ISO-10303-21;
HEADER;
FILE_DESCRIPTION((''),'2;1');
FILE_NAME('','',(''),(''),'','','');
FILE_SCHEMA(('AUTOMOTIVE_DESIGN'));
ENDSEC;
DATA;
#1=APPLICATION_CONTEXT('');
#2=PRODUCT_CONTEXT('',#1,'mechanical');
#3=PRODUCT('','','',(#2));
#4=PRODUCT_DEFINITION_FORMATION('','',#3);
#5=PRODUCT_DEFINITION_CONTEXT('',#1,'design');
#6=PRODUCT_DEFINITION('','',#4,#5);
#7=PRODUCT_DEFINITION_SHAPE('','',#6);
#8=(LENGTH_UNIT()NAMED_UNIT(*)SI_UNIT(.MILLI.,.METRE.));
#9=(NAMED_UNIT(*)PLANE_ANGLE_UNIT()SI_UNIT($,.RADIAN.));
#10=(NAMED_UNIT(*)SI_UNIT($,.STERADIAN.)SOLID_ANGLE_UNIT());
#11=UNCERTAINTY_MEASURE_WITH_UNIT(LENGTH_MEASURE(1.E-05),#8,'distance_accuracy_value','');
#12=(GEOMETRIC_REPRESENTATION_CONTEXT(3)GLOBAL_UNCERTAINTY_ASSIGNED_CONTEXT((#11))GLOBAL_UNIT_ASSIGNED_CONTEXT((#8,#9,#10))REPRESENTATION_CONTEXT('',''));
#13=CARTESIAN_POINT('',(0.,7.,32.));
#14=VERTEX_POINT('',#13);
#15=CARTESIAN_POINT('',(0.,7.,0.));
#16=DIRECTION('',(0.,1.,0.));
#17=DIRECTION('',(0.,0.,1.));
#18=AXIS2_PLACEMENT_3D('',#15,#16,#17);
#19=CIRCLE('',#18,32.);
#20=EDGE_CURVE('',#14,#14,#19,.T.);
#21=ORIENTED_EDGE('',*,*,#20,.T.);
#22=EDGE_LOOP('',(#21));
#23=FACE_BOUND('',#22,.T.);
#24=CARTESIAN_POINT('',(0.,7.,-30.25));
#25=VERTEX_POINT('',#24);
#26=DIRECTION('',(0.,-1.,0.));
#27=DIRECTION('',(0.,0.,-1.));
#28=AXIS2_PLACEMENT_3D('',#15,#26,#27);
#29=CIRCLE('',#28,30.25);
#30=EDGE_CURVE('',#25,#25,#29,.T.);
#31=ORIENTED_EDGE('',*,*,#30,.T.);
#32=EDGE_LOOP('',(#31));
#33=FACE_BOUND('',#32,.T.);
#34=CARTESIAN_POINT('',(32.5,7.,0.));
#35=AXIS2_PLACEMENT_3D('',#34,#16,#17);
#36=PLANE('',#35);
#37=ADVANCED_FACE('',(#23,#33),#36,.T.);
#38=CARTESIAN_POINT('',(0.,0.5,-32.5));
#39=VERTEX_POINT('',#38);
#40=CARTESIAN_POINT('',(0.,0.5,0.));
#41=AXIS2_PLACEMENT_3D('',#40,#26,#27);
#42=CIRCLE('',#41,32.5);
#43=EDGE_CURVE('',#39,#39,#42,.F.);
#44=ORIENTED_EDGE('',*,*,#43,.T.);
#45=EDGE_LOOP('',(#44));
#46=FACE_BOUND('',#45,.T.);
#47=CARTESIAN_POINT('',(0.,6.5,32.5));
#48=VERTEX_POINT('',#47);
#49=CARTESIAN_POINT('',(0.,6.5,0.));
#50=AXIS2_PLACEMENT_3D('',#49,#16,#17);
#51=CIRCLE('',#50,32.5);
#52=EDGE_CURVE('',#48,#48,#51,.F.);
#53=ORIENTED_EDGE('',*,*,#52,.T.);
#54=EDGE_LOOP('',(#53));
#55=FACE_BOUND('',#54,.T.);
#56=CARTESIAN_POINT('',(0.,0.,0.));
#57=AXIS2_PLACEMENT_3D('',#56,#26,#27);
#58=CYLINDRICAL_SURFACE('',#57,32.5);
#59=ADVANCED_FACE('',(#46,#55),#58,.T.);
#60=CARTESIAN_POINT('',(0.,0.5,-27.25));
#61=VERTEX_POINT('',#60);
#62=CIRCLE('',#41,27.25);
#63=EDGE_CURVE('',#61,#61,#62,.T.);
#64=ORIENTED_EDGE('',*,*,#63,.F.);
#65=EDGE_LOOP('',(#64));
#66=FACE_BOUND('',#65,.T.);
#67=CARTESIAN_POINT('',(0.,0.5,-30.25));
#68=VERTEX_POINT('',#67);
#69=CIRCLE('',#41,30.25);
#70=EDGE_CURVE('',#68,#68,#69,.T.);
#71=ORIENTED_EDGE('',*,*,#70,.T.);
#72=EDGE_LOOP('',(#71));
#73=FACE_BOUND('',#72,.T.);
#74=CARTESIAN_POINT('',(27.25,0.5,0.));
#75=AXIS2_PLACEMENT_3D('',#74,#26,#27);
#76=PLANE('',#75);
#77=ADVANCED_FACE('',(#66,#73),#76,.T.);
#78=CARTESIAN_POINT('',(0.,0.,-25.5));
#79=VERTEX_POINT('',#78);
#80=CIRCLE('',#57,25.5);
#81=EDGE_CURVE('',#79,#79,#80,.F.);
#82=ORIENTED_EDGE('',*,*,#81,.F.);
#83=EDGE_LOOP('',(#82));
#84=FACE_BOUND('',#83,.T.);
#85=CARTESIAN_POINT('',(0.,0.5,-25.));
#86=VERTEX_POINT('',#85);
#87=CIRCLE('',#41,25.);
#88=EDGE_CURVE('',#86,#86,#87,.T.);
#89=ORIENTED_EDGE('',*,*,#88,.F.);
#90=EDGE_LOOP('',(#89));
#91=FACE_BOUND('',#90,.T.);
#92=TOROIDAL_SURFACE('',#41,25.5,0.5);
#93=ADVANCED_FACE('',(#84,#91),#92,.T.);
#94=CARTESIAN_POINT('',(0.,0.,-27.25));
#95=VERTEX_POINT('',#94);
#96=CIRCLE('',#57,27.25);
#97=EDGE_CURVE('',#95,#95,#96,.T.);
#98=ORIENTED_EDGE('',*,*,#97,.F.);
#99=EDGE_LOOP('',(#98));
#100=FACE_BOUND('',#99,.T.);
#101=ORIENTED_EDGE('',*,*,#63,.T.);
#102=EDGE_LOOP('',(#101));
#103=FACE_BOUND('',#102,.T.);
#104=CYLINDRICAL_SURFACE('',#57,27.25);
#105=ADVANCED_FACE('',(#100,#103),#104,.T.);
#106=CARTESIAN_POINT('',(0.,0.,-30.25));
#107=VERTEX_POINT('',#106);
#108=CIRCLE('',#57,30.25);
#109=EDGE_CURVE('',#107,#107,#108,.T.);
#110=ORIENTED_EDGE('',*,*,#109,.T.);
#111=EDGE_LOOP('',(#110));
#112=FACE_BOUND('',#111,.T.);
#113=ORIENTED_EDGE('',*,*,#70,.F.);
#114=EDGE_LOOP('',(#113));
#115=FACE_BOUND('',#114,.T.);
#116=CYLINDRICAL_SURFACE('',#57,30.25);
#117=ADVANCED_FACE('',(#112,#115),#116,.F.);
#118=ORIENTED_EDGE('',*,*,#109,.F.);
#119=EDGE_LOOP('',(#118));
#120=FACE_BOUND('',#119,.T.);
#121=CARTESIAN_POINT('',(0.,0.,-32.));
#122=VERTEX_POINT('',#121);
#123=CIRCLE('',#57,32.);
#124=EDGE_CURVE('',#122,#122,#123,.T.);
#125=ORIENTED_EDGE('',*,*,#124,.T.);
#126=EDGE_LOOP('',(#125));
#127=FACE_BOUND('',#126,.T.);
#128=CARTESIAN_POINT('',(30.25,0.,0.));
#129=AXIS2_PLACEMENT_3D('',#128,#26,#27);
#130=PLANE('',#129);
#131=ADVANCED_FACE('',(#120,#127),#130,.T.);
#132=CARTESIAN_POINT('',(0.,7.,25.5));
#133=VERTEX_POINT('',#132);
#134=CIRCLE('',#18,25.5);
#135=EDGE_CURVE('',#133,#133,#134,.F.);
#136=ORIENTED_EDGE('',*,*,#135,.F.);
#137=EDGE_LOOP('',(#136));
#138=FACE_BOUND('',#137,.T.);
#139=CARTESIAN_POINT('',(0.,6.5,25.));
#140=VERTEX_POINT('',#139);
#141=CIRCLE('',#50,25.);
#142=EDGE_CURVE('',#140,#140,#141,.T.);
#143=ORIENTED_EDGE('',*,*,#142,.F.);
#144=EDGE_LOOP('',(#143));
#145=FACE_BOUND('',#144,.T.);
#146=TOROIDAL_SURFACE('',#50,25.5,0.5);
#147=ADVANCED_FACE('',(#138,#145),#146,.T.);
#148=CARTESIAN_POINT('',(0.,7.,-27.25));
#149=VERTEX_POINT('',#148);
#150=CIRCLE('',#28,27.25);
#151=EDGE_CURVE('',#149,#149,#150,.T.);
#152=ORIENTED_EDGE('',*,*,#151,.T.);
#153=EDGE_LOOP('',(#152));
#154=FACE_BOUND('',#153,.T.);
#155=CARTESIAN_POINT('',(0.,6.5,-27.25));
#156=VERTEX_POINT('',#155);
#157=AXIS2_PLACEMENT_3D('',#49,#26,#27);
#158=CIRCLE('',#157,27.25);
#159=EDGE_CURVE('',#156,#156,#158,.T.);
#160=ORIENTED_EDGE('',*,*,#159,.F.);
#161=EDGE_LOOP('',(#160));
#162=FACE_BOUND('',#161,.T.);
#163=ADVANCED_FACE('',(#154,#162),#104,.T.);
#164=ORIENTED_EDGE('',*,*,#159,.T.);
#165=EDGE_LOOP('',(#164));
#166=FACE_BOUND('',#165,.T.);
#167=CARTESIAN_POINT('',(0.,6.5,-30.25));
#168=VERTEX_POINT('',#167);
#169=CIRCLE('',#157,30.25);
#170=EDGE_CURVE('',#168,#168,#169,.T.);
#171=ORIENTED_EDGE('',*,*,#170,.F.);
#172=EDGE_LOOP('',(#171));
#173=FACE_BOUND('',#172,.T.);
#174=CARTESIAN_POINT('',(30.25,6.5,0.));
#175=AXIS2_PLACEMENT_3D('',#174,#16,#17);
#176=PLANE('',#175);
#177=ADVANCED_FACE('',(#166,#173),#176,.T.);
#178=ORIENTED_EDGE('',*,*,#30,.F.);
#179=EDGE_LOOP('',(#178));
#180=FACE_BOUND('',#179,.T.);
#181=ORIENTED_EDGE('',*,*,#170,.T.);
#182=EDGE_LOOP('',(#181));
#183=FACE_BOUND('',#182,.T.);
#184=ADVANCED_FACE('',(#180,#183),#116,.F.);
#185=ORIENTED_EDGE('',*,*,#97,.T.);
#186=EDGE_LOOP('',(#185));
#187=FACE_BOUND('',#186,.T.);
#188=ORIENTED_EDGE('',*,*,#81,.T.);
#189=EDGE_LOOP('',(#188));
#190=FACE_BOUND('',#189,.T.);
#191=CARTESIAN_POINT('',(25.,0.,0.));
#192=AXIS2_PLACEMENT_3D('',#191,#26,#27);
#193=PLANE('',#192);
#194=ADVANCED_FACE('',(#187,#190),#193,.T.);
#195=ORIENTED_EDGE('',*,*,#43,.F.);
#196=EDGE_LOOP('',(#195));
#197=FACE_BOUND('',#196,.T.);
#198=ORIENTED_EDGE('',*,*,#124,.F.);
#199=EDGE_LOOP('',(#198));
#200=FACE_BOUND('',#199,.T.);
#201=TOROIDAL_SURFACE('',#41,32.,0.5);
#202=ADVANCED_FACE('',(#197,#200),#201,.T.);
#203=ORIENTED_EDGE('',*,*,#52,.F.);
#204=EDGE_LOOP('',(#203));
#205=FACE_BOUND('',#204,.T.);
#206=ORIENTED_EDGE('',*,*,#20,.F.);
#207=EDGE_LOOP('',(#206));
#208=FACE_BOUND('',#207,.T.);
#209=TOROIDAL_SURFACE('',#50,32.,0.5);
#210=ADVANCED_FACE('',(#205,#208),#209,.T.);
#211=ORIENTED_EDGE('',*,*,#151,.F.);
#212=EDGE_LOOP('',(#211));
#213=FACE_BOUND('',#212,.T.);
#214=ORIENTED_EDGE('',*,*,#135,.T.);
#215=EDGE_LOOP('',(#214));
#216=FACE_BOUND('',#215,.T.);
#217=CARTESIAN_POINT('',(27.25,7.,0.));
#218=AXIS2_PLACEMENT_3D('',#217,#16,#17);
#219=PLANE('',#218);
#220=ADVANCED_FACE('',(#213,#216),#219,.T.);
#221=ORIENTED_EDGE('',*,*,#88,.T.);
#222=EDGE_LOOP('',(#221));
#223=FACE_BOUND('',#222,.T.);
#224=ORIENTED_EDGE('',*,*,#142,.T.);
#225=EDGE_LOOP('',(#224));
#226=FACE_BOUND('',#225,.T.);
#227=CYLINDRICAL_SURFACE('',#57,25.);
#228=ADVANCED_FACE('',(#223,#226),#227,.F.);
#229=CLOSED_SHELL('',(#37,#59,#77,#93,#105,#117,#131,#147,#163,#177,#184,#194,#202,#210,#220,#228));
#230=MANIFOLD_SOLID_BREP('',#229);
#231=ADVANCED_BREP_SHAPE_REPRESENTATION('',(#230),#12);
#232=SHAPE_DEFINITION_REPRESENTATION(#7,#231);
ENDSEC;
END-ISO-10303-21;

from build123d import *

# Parameters (mm, degrees)
VERRUNDUNG1_R = 0.5


with BuildPart() as part:
    # Skizze1 → Rotation1 (revolve)
    with BuildSketch(Plane.XY, mode=Mode.PRIVATE) as rotation1_sk:
        Polygon((25, 0), (27.25, 0), (27.25, 0.5), (30.25, 0.5), (30.25, 0), (32.5, 0), (32.5, 7), (30.25, 7), (30.25, 6.5), (27.25, 6.5), (27.25, 7), (25, 7), align=None)
    revolve(rotation1_sk.sketch.rotate(Axis((0, 0, 0), (0, 1, 0)), 90), axis=Axis((0, 0, 0), (0, 1, 0)))

    # Verrundung1
    verrundung1_edges = [part.edges().sort_by_distance(p)[0] for p in [
        (0, 7, 32.5),
        (0, 0, 32.5),
        (0, 0, 25),
        (0, 7, 25),
    ]]
    fillet(verrundung1_edges, radius=VERRUNDUNG1_R)


solid = part.part
